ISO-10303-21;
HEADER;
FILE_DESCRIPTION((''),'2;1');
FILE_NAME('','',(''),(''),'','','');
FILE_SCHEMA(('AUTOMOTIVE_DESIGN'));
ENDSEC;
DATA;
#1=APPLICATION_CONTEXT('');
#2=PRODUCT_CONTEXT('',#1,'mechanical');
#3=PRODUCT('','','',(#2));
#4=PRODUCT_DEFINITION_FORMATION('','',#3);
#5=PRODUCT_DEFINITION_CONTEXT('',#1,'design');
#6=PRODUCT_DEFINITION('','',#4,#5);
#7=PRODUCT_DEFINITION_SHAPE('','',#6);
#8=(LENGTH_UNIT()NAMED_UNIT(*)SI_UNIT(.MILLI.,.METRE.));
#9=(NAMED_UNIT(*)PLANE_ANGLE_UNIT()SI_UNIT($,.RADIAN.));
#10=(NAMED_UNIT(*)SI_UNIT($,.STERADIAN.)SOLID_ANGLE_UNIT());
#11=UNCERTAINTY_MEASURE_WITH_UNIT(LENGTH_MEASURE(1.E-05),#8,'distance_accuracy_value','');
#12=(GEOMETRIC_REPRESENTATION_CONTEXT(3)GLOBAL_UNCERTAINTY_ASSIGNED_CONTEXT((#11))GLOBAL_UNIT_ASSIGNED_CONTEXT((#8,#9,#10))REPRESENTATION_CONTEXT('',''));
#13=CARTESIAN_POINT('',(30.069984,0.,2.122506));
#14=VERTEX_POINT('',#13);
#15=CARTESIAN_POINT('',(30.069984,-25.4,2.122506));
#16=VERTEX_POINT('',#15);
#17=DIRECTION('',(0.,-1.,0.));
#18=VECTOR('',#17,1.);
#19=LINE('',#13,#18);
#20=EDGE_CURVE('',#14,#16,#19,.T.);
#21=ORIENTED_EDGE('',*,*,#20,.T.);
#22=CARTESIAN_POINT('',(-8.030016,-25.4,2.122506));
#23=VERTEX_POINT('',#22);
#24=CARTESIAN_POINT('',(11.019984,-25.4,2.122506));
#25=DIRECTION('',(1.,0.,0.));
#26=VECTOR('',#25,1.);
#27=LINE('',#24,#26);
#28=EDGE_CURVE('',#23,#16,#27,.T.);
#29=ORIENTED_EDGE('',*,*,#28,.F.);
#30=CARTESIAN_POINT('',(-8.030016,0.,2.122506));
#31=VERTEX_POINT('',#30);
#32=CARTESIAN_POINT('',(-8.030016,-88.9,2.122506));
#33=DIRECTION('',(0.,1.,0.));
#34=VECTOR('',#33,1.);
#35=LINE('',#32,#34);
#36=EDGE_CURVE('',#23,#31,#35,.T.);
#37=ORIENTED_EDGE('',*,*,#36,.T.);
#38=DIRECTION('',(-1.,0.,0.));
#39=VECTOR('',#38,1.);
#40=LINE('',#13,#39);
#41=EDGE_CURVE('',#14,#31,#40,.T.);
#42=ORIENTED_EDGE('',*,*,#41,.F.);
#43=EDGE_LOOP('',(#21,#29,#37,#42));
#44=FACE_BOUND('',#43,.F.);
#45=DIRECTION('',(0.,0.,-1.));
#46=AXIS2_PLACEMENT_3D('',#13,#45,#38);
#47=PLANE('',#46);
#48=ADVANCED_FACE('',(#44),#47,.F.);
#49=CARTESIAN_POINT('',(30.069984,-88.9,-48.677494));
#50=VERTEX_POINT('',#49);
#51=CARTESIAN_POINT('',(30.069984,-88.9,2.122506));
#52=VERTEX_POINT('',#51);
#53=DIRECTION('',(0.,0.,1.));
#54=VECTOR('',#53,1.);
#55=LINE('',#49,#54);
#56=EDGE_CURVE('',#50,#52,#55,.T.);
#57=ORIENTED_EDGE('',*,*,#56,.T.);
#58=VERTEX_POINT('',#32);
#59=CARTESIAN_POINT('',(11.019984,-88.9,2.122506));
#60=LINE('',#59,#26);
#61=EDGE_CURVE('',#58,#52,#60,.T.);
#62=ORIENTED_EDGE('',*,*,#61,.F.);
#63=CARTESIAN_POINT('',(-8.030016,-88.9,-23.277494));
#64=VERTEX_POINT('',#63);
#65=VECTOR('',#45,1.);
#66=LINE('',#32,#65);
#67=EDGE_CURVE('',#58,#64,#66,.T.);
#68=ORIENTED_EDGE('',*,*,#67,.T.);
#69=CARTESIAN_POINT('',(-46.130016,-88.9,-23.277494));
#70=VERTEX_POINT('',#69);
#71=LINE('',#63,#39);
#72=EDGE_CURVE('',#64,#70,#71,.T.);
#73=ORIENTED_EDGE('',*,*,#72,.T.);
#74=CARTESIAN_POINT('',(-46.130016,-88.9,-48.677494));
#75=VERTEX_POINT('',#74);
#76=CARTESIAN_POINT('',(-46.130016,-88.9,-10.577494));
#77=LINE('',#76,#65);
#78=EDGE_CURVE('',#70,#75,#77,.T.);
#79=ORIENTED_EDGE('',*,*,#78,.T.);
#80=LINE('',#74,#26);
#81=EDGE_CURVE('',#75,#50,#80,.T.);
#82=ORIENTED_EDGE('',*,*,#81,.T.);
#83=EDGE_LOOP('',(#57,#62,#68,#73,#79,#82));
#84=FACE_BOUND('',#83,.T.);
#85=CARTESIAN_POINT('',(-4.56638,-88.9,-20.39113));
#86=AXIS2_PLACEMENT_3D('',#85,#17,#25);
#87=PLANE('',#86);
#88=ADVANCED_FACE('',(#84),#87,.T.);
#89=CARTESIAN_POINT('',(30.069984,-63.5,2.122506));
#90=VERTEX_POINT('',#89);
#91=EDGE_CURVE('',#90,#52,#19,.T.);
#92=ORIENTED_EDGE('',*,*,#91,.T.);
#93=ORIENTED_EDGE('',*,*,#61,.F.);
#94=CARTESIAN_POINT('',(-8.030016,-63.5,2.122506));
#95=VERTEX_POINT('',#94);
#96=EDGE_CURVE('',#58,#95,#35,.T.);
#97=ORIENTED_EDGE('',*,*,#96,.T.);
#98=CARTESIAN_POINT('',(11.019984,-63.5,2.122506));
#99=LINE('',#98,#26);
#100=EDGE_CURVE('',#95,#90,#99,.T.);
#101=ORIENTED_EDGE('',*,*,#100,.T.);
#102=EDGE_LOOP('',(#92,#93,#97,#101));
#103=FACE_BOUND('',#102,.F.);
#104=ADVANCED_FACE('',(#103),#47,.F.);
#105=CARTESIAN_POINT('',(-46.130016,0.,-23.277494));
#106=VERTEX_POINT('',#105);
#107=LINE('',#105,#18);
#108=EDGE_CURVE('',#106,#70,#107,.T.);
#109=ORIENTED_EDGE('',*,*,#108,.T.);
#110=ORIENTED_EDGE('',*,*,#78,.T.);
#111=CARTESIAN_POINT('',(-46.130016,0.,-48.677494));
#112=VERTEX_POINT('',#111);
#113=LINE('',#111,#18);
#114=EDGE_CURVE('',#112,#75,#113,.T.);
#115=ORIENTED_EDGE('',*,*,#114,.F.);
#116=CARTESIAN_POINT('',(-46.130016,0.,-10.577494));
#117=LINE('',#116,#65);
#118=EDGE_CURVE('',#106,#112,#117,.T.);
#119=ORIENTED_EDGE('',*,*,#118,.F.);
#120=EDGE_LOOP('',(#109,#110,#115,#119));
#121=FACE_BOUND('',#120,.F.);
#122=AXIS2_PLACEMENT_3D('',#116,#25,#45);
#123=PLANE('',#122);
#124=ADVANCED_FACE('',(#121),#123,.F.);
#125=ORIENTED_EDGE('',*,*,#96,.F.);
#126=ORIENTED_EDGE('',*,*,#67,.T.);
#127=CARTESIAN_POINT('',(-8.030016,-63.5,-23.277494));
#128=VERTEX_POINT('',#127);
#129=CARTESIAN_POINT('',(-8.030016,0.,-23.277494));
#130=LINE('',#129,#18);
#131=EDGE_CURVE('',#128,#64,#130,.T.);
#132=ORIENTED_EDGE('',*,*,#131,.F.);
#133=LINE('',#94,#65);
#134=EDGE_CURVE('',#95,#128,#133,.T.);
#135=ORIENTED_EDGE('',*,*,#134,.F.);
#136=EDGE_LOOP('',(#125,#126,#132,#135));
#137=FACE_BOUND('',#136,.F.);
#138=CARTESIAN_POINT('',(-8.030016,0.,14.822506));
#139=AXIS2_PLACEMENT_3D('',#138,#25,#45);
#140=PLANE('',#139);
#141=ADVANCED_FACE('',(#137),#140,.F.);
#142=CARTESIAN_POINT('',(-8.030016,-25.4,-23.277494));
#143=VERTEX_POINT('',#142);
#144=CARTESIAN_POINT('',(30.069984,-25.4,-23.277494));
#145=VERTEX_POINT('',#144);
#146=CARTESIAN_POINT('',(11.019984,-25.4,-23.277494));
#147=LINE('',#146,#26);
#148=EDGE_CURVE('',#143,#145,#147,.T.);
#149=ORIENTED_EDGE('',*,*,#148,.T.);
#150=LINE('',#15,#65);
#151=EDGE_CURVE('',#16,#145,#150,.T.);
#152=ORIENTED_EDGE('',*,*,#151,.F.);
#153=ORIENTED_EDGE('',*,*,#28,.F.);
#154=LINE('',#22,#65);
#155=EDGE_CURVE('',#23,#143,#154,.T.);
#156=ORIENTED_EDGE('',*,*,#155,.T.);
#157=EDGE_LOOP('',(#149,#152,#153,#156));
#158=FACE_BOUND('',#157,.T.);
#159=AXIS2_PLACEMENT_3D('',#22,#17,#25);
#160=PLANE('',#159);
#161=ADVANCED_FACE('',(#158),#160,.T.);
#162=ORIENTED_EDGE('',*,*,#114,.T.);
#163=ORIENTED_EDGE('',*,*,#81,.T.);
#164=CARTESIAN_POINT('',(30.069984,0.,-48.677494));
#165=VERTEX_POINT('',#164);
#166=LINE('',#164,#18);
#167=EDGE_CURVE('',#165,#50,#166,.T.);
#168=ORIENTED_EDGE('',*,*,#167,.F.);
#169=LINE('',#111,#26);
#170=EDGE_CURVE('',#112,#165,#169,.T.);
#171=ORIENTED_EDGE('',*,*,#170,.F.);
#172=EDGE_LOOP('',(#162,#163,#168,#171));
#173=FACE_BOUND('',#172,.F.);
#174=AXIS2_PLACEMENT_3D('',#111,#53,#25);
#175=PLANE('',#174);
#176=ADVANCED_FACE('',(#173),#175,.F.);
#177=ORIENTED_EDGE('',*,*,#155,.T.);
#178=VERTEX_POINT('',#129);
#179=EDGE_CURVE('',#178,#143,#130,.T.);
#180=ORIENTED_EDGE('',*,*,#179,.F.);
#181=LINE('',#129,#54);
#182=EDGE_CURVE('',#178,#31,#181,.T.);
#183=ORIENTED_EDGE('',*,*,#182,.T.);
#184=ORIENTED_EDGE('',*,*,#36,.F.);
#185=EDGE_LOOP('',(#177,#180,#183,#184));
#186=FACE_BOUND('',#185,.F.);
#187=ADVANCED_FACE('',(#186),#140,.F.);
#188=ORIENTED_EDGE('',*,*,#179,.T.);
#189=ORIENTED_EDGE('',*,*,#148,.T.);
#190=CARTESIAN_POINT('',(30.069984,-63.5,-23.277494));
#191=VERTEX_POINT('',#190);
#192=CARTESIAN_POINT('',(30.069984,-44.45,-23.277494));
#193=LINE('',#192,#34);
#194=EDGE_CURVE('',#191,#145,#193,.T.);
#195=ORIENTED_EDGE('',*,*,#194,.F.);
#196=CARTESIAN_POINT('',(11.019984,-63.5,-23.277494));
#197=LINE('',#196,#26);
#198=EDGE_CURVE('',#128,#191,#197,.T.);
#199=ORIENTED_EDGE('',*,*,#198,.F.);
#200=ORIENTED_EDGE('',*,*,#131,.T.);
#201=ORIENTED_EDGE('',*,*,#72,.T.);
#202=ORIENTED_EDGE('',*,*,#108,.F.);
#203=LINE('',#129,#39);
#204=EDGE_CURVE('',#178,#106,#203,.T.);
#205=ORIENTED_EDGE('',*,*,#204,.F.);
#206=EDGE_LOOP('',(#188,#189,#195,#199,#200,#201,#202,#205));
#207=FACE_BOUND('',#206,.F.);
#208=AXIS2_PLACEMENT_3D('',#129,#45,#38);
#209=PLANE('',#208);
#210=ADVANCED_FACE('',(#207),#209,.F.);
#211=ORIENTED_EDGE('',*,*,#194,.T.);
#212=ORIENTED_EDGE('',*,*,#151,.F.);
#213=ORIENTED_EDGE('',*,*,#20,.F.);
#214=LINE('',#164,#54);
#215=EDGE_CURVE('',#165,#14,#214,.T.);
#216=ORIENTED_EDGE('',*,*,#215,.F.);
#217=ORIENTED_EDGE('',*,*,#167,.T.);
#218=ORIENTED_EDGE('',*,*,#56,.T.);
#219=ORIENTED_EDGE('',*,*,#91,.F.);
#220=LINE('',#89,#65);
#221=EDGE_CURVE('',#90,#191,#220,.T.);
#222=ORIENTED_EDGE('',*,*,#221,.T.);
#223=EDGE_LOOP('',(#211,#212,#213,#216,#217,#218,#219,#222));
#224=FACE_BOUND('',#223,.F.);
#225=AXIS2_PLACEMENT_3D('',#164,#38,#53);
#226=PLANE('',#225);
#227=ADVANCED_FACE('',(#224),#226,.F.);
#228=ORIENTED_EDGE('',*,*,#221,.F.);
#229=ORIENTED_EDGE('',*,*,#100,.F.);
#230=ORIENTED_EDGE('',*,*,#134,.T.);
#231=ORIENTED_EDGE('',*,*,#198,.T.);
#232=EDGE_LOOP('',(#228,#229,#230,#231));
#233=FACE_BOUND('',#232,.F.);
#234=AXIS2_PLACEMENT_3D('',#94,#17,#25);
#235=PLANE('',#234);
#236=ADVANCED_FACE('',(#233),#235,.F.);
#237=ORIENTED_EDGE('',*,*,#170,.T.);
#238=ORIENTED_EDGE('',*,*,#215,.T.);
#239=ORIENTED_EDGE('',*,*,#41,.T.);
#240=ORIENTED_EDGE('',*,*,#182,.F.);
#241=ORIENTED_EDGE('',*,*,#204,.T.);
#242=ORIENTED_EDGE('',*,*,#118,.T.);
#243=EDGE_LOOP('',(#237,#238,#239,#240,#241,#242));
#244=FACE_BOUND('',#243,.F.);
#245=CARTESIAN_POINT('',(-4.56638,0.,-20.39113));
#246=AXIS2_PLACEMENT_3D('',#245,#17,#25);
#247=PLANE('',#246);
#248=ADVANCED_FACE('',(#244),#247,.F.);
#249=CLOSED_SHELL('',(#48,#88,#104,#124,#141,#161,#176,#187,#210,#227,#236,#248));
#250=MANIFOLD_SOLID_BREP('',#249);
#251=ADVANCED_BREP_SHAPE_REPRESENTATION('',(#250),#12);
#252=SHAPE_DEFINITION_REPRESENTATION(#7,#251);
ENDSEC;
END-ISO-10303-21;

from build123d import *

# Parameters (mm, degrees)
F1_DEPTH = 88.9
F2_W     = 38.1
F2_H     = 25.4
F3_DEPTH = 12.7
F4_DEPTH = 12.7
F5_DEPTH = 12.7
F6_W     = 38.1
F6_H     = 38.1
F7_DEPTH = 25.4


with BuildPart() as f1:
    # F0 (on Front) → F1 (new body)
    with BuildSketch(Plane.XZ):
        Polygon((-46.1300164461, -10.5774940407), (-46.1300164461, -48.6774940407), (30.0699835539, -48.6774940407), (30.0699835539, 14.8225059593), (-8.0300164461, 14.8225059593), (-8.0300164461, -10.5774940407), align=None)
    extrude(amount=F1_DEPTH)

    # F2 (on face) → F3 (cut)
    with BuildSketch(Plane.XY.offset(14.8225059593)):
        with Locations((11.0199835539, -76.2)):
            Rectangle(F2_W, F2_H)
    extrude(amount=-F3_DEPTH, mode=Mode.SUBTRACT)

    # F4 (cut): a face of the model
    f4_faces = [f1.faces().sort_by_distance(p)[0] for p in [
        (11.0199835539, -31.75, 14.8225059593),
    ]]
    extrude(f4_faces, amount=-F4_DEPTH, mode=Mode.SUBTRACT)

    # F5 (cut): a face of the model
    f5_faces = [f1.faces().sort_by_distance(p)[0] for p in [
        (-27.0800164461, -44.45, -10.5774940407),
    ]]
    extrude(f5_faces, amount=-F5_DEPTH, mode=Mode.SUBTRACT)

    # F6 (on face) → F7 (cut)
    with BuildSketch(Plane.XY.offset(2.1225059593)):
        with Locations((11.0199835539, -44.45)):
            Rectangle(F6_W, F6_H)
    extrude(amount=-F7_DEPTH, mode=Mode.SUBTRACT)


solid = f1.part
